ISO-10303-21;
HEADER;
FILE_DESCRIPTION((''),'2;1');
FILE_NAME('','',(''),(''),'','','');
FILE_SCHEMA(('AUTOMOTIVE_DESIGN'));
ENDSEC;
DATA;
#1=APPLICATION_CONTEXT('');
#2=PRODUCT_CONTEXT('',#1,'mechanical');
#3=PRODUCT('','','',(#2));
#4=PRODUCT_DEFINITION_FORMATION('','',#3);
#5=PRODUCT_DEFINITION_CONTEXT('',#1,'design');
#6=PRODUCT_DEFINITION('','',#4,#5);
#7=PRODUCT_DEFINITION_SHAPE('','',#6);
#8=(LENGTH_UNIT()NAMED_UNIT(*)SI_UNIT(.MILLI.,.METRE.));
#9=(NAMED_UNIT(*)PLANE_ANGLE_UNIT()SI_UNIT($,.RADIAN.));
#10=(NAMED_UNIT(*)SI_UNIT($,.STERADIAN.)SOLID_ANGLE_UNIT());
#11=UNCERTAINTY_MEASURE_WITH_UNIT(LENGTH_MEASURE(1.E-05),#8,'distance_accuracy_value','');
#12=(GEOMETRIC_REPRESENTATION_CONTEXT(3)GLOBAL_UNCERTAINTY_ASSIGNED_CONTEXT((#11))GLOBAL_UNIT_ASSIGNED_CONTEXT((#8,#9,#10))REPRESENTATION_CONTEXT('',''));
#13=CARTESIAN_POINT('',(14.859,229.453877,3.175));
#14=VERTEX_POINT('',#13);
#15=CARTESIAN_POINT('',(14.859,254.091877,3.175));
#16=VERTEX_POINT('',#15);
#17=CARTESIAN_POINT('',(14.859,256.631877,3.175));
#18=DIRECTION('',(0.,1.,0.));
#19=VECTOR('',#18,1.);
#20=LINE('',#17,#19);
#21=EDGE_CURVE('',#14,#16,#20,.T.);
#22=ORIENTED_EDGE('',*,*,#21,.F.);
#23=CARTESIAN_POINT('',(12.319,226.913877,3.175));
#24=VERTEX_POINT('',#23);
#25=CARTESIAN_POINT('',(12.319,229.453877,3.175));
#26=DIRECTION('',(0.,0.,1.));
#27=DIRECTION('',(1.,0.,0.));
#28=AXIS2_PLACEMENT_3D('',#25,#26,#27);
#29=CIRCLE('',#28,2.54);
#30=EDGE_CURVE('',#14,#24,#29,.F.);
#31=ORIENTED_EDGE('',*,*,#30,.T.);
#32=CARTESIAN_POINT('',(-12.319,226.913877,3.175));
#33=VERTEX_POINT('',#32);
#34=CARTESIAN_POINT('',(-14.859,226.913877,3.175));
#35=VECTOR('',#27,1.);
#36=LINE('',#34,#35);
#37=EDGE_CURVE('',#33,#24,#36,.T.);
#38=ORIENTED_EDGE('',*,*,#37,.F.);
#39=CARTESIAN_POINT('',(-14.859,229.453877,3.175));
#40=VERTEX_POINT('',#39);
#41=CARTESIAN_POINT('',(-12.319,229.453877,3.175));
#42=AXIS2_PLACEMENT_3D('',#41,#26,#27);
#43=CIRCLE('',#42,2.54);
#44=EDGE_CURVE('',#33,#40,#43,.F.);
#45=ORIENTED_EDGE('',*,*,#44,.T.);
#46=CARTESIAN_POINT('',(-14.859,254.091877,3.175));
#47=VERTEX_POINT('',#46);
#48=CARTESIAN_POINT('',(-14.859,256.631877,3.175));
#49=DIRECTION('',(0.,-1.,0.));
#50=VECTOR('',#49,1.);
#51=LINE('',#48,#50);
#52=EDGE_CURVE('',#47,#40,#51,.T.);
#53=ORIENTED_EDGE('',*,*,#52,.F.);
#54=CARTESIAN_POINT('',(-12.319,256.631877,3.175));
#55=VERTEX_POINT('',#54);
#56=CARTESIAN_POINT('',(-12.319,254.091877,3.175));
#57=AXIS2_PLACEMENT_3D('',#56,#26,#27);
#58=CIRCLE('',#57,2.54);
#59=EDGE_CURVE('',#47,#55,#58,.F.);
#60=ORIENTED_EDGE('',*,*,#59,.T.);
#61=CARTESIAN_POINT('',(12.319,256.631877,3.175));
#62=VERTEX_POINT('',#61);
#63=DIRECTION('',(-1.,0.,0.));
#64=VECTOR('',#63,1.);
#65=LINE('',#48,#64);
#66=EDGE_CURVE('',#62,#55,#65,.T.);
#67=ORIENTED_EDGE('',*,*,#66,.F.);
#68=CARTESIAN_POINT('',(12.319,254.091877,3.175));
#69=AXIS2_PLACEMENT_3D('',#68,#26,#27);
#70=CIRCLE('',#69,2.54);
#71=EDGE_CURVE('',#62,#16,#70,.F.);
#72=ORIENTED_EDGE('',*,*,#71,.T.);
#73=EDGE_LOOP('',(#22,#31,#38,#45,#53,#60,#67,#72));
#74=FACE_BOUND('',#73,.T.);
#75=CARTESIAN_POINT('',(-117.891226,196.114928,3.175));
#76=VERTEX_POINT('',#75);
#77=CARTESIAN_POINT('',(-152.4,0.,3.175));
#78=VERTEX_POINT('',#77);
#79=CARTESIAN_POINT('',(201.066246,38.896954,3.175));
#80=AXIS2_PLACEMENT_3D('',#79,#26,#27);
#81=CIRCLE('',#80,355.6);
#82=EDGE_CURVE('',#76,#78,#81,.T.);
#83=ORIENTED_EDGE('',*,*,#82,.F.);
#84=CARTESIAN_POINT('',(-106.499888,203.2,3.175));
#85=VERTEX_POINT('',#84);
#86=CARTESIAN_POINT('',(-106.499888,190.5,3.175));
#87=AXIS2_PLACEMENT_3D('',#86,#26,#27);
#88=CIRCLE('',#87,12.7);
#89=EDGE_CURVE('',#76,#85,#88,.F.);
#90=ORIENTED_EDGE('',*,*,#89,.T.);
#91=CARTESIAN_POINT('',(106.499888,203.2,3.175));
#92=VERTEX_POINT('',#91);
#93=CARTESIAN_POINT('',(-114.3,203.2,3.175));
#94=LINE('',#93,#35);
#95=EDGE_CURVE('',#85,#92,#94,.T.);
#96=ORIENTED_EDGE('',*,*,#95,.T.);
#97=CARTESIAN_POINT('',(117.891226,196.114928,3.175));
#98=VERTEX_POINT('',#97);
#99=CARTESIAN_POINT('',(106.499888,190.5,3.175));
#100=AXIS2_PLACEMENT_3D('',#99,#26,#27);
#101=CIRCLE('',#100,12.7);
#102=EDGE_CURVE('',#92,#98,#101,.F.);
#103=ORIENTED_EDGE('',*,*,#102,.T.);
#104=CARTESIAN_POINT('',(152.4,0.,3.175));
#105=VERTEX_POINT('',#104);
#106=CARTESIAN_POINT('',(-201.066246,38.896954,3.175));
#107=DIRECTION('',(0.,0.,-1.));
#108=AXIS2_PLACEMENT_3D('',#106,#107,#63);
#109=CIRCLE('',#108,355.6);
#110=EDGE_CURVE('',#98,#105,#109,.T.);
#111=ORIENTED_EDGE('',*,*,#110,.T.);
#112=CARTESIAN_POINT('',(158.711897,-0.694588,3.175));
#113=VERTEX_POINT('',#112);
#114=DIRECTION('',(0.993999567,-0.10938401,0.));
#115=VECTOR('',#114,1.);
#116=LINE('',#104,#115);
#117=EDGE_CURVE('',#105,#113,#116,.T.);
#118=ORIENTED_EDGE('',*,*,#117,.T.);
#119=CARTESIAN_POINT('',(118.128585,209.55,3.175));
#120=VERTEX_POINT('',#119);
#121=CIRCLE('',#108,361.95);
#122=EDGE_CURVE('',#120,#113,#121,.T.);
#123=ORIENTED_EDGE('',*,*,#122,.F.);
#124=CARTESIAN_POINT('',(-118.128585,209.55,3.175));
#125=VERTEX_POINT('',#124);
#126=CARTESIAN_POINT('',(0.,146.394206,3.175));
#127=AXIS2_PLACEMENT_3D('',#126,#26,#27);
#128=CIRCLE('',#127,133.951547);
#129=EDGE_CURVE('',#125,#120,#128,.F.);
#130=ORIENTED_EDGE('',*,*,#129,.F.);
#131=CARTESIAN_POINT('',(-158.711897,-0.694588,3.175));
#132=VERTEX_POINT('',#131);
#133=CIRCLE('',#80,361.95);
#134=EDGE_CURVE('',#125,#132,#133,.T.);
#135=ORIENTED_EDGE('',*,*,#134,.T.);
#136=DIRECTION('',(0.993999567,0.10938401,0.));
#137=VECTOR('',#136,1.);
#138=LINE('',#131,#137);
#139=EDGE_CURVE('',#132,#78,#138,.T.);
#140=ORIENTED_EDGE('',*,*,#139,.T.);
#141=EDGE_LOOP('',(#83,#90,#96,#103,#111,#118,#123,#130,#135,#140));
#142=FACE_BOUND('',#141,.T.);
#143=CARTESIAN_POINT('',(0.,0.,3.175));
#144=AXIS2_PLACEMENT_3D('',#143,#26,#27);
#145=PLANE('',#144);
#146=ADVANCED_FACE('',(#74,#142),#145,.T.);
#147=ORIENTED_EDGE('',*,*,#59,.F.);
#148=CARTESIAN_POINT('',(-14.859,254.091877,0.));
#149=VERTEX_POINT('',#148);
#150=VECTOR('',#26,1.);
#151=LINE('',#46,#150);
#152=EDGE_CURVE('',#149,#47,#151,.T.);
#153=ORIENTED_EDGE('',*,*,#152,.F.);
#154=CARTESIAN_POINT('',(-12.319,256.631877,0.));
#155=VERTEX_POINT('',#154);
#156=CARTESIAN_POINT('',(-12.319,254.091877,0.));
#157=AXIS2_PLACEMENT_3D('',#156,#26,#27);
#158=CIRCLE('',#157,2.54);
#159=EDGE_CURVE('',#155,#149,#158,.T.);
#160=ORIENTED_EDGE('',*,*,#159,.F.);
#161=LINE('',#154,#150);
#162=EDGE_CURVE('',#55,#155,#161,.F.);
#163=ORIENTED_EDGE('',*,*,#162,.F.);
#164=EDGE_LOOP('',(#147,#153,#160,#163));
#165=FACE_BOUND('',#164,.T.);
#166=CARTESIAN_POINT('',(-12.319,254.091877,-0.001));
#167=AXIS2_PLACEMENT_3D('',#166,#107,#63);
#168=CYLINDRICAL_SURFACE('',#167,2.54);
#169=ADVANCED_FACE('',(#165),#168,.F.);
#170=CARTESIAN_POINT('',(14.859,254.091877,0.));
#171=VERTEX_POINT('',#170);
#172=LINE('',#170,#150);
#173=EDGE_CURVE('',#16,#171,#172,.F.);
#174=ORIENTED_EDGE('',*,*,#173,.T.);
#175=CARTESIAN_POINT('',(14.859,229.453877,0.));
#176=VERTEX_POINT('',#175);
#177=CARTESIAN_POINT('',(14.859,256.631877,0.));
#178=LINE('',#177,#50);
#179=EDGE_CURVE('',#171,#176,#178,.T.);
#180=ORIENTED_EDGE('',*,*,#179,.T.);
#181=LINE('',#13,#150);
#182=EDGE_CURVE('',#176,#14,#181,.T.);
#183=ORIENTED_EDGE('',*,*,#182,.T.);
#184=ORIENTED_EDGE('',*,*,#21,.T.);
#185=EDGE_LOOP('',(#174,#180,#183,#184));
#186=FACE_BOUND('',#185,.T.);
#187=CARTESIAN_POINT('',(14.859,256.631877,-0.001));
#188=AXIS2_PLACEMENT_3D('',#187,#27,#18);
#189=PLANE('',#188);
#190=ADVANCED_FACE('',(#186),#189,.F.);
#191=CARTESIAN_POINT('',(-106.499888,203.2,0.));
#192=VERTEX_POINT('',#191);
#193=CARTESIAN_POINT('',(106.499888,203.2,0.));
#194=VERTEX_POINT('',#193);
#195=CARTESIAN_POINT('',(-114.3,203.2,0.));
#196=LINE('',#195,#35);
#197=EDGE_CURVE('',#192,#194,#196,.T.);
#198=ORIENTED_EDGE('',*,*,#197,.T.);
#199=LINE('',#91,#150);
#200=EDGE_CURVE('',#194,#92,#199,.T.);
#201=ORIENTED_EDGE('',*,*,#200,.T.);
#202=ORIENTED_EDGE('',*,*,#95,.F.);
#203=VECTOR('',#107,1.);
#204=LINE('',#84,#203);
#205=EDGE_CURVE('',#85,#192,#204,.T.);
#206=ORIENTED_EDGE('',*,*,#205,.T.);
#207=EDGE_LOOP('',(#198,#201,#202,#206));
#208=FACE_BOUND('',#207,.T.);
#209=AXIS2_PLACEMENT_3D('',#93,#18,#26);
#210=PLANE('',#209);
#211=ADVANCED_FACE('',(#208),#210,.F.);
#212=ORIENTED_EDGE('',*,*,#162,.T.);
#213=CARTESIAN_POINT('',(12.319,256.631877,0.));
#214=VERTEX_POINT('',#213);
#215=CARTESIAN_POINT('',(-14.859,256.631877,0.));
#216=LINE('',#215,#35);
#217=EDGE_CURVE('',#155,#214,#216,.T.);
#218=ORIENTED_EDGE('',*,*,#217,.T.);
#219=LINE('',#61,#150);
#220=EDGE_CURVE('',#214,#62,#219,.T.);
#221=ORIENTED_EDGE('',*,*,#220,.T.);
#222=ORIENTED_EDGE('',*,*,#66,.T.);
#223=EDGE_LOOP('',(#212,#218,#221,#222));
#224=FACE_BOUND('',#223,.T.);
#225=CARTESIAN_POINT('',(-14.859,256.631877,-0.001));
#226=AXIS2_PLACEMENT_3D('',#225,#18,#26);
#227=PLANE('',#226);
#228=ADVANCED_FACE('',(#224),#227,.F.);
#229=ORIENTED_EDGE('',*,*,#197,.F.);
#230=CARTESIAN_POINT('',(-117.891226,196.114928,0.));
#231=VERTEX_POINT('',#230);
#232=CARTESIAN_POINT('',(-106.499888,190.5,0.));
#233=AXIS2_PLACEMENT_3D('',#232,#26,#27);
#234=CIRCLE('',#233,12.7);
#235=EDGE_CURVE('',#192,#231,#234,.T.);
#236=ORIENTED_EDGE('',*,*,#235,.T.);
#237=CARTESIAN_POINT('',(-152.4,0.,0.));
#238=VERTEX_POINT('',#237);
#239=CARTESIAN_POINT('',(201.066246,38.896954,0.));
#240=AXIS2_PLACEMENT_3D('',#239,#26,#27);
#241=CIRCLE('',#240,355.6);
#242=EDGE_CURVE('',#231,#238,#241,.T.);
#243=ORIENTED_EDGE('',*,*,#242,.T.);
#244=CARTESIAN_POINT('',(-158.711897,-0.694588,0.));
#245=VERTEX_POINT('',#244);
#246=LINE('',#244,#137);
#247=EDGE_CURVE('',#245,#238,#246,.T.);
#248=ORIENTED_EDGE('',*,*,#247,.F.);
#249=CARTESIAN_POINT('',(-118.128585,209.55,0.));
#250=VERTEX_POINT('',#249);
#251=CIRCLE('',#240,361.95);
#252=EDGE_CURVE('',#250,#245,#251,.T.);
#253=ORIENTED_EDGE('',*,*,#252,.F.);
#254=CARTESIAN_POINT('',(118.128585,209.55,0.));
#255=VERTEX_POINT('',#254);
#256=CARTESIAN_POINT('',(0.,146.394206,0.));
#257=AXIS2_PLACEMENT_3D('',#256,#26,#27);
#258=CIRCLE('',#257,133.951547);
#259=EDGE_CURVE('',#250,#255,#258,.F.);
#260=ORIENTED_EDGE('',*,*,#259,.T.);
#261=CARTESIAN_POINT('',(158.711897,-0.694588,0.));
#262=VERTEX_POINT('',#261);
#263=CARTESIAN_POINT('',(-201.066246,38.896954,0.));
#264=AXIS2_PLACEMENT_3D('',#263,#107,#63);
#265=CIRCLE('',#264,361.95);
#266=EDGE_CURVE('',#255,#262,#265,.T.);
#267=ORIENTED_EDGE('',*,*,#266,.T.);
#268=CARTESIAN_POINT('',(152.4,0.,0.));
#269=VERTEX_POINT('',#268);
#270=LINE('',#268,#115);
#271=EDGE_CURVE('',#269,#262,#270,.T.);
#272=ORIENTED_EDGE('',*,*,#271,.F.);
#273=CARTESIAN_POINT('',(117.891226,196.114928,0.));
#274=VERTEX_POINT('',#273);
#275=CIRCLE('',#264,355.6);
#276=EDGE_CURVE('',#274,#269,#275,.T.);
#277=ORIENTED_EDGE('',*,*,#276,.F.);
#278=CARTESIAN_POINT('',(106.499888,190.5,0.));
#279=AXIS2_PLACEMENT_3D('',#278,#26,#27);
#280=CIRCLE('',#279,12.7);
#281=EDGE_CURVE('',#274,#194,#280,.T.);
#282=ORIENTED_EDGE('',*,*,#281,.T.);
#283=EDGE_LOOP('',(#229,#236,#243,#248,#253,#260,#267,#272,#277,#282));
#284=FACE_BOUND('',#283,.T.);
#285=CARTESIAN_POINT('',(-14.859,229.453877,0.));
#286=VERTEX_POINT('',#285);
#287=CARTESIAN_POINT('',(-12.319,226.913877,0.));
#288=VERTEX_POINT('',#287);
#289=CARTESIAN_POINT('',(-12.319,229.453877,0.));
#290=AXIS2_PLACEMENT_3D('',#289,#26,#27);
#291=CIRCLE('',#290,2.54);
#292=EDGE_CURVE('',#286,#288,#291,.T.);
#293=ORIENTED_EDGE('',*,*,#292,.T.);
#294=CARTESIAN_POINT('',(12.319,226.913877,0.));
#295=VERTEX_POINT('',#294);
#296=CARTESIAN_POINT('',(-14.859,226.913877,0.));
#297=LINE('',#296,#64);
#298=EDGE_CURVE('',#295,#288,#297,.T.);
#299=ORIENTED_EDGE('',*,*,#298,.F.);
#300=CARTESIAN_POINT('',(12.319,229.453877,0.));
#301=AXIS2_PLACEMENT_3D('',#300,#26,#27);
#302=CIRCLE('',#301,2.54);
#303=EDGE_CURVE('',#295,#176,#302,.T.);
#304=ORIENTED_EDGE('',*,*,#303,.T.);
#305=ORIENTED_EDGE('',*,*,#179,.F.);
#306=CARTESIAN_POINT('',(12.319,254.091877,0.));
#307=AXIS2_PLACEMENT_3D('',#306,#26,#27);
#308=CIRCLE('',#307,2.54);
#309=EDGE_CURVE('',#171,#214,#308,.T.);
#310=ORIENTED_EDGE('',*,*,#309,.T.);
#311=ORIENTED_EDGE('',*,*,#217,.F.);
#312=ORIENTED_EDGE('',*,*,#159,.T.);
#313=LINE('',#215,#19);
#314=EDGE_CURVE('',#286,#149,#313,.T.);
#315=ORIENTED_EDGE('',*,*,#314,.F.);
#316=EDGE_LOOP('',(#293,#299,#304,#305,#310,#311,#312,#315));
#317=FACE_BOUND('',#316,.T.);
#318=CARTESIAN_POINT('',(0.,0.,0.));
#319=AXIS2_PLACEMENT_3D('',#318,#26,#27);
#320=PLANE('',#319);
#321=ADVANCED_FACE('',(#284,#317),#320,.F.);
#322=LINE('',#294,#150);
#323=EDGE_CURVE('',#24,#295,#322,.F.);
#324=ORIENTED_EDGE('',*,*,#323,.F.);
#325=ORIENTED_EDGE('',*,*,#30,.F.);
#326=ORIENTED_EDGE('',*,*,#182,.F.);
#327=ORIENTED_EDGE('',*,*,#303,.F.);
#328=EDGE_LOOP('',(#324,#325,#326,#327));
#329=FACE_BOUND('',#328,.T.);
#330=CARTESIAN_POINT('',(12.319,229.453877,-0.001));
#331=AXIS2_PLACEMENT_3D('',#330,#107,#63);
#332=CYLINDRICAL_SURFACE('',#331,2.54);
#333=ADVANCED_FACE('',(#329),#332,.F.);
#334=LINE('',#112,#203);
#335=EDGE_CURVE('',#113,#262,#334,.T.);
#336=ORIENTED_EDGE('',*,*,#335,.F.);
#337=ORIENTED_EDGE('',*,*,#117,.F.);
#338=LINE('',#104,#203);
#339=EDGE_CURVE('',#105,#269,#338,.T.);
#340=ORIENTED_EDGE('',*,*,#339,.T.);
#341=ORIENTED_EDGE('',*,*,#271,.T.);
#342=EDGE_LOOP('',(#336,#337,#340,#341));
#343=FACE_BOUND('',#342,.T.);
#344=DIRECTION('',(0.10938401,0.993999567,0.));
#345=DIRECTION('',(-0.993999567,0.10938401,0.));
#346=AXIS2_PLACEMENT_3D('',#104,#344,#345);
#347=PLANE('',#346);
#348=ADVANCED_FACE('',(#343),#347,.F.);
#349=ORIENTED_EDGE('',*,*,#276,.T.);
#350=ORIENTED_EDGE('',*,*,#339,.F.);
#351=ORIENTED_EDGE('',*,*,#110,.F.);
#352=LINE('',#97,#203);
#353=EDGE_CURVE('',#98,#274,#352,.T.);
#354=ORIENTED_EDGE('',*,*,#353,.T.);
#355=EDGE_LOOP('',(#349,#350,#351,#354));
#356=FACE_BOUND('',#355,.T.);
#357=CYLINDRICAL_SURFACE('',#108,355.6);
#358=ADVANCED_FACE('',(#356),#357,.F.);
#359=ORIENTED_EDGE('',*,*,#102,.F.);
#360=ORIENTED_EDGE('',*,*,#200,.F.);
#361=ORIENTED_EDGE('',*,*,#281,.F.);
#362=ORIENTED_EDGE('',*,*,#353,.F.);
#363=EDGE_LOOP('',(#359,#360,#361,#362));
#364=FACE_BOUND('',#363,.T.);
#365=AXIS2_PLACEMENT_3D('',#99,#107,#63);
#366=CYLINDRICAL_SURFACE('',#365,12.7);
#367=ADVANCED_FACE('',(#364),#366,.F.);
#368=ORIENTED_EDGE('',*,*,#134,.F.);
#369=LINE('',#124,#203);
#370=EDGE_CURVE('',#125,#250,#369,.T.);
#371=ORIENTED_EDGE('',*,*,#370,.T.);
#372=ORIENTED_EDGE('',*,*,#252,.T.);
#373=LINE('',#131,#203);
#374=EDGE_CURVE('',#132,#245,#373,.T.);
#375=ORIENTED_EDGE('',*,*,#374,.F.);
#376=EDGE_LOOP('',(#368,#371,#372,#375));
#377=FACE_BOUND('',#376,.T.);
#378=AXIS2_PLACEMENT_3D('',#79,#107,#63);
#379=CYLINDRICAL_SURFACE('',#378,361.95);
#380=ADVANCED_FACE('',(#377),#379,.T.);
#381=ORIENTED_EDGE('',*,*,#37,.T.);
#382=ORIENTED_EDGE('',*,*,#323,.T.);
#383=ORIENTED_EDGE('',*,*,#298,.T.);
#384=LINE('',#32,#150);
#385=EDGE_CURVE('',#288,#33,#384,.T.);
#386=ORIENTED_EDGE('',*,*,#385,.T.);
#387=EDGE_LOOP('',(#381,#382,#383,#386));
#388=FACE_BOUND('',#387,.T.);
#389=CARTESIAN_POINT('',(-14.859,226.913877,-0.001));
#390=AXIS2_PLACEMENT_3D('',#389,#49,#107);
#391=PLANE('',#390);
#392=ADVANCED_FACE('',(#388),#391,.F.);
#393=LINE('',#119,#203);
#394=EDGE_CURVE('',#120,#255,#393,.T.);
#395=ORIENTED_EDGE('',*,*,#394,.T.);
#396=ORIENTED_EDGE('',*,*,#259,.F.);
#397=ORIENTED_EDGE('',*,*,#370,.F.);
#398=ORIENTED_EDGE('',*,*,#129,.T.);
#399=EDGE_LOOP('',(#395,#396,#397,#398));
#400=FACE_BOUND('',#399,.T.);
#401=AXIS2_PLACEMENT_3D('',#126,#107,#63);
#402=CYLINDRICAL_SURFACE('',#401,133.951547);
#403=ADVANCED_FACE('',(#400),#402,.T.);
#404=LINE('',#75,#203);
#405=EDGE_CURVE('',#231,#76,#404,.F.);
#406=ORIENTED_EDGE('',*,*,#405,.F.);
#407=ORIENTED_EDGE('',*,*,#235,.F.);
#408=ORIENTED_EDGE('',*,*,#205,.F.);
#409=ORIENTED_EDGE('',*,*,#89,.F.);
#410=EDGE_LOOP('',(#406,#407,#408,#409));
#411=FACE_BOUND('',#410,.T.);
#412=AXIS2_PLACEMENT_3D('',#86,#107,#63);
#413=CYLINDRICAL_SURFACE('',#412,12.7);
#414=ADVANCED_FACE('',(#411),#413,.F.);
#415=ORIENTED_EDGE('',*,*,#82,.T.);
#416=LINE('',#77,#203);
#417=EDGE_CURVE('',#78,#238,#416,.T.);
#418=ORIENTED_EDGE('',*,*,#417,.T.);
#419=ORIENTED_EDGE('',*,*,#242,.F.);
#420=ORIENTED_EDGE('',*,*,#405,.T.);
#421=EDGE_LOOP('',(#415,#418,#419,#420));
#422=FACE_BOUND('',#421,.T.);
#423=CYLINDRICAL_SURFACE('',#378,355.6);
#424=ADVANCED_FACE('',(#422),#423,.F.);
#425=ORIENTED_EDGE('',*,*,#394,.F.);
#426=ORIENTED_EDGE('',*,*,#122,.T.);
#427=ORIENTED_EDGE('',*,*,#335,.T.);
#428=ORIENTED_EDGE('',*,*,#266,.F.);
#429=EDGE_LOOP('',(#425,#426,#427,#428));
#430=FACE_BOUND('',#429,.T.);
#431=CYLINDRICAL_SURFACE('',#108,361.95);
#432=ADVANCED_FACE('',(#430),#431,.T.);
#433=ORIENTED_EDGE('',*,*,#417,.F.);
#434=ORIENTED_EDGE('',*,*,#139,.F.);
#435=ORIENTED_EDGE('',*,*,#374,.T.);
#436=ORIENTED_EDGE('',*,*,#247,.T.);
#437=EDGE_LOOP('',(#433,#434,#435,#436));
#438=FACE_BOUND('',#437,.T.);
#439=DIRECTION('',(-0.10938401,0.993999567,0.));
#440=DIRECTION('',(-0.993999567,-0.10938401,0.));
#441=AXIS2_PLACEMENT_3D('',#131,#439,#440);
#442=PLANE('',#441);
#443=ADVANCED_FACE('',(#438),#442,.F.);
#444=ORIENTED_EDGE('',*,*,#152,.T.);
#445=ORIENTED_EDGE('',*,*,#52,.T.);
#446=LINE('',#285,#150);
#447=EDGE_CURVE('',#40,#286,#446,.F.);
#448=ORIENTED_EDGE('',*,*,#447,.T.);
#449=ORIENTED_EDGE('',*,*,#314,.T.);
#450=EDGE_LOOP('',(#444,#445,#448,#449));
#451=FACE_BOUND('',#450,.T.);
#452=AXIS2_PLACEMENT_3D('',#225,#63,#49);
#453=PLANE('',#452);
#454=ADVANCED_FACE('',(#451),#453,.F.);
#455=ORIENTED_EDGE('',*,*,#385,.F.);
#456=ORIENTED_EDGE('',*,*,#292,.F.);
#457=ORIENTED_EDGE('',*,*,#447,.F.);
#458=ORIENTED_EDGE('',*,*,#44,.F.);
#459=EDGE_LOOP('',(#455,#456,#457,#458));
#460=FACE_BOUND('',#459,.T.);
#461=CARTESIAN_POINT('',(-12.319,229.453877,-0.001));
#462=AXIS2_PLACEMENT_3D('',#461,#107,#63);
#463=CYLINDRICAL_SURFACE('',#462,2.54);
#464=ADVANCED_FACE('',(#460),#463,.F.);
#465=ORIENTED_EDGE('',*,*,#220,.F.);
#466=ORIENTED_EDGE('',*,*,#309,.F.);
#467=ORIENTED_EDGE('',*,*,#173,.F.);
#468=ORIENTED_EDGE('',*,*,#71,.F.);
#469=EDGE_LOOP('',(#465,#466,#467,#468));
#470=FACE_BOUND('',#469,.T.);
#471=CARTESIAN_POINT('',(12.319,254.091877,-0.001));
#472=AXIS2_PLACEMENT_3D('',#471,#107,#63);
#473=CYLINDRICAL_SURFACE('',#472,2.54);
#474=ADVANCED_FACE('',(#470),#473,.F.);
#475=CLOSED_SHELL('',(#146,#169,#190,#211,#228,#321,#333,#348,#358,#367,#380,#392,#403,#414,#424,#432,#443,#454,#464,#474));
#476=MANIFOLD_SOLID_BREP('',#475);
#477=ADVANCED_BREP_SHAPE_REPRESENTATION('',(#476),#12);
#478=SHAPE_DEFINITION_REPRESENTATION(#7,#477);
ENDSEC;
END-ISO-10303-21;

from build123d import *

# Parameters (mm, degrees)
BOSS_EXTRUDE1_DEPTH = 3.175
CUT_EXTRUDE1_REACH  = 325.245
SKETCH2_W           = 29.718
SKETCH2_H           = 29.718
FILLET1_R           = 2.54
FILLET2_R           = 12.7


with BuildPart() as part:
    # Sketch1 → Boss-Extrude1 (new body)
    with BuildSketch(Plane.XY):
        with BuildLine():
            ThreePointArc((118.128585461, 209.55), (0, 280.345753402), (-118.128585461, 209.55))
            ThreePointArc((-118.128585461, 209.55), (-154.323359707, 107.497469491), (-158.711897248, -0.694588462))
            Line((-158.711897248, -0.694588462), (-152.4, 0))
            ThreePointArc((-152.4, 0), (-148.443103792, 104.429956961), (-114.3, 203.2))
            Line((-114.3, 203.2), (114.3, 203.2))
            ThreePointArc((114.3, 203.2), (148.443103792, 104.429956961), (152.4, 0))
            Line((152.4, 0), (158.711897248, -0.694588462))
            ThreePointArc((158.711897248, -0.694588462), (154.323359707, 107.497469491), (118.128585461, 209.55))
        make_face()
    extrude(amount=BOSS_EXTRUDE1_DEPTH)

    # Sketch2 → Cut-Extrude1 (cut, up to next)
    with BuildSketch(Plane.XY.offset(3.175), mode=Mode.PRIVATE) as cut_extrude1_sk1:
        with Locations((0, 241.772876701)):
            Rectangle(SKETCH2_W, SKETCH2_H)
    cut_extrude1_tool1 = extrude(cut_extrude1_sk1.sketch, amount=-CUT_EXTRUDE1_REACH, mode=Mode.PRIVATE) & part.part
    add(cut_extrude1_tool1.solids().sort_by_distance((0, 241.772877, 3.175))[0], mode=Mode.SUBTRACT)

    # Fillet1
    fillet1_edges = [part.edges().sort_by_distance(p)[0] for p in [
        (14.859, 226.913876701, 1.5875),
        (14.859, 256.631876701, 1.5875),
        (-14.859, 256.631876701, 1.5875),
        (-14.859, 226.913876701, 1.5875),
    ]]
    fillet(fillet1_edges, radius=FILLET1_R)

    # Fillet2
    fillet2_edges = [part.edges().sort_by_distance(p)[0] for p in [
        (114.3, 203.2, 1.5875),
        (-114.3, 203.2, 1.5875),
    ]]
    fillet(fillet2_edges, radius=FILLET2_R)


solid = part.part
